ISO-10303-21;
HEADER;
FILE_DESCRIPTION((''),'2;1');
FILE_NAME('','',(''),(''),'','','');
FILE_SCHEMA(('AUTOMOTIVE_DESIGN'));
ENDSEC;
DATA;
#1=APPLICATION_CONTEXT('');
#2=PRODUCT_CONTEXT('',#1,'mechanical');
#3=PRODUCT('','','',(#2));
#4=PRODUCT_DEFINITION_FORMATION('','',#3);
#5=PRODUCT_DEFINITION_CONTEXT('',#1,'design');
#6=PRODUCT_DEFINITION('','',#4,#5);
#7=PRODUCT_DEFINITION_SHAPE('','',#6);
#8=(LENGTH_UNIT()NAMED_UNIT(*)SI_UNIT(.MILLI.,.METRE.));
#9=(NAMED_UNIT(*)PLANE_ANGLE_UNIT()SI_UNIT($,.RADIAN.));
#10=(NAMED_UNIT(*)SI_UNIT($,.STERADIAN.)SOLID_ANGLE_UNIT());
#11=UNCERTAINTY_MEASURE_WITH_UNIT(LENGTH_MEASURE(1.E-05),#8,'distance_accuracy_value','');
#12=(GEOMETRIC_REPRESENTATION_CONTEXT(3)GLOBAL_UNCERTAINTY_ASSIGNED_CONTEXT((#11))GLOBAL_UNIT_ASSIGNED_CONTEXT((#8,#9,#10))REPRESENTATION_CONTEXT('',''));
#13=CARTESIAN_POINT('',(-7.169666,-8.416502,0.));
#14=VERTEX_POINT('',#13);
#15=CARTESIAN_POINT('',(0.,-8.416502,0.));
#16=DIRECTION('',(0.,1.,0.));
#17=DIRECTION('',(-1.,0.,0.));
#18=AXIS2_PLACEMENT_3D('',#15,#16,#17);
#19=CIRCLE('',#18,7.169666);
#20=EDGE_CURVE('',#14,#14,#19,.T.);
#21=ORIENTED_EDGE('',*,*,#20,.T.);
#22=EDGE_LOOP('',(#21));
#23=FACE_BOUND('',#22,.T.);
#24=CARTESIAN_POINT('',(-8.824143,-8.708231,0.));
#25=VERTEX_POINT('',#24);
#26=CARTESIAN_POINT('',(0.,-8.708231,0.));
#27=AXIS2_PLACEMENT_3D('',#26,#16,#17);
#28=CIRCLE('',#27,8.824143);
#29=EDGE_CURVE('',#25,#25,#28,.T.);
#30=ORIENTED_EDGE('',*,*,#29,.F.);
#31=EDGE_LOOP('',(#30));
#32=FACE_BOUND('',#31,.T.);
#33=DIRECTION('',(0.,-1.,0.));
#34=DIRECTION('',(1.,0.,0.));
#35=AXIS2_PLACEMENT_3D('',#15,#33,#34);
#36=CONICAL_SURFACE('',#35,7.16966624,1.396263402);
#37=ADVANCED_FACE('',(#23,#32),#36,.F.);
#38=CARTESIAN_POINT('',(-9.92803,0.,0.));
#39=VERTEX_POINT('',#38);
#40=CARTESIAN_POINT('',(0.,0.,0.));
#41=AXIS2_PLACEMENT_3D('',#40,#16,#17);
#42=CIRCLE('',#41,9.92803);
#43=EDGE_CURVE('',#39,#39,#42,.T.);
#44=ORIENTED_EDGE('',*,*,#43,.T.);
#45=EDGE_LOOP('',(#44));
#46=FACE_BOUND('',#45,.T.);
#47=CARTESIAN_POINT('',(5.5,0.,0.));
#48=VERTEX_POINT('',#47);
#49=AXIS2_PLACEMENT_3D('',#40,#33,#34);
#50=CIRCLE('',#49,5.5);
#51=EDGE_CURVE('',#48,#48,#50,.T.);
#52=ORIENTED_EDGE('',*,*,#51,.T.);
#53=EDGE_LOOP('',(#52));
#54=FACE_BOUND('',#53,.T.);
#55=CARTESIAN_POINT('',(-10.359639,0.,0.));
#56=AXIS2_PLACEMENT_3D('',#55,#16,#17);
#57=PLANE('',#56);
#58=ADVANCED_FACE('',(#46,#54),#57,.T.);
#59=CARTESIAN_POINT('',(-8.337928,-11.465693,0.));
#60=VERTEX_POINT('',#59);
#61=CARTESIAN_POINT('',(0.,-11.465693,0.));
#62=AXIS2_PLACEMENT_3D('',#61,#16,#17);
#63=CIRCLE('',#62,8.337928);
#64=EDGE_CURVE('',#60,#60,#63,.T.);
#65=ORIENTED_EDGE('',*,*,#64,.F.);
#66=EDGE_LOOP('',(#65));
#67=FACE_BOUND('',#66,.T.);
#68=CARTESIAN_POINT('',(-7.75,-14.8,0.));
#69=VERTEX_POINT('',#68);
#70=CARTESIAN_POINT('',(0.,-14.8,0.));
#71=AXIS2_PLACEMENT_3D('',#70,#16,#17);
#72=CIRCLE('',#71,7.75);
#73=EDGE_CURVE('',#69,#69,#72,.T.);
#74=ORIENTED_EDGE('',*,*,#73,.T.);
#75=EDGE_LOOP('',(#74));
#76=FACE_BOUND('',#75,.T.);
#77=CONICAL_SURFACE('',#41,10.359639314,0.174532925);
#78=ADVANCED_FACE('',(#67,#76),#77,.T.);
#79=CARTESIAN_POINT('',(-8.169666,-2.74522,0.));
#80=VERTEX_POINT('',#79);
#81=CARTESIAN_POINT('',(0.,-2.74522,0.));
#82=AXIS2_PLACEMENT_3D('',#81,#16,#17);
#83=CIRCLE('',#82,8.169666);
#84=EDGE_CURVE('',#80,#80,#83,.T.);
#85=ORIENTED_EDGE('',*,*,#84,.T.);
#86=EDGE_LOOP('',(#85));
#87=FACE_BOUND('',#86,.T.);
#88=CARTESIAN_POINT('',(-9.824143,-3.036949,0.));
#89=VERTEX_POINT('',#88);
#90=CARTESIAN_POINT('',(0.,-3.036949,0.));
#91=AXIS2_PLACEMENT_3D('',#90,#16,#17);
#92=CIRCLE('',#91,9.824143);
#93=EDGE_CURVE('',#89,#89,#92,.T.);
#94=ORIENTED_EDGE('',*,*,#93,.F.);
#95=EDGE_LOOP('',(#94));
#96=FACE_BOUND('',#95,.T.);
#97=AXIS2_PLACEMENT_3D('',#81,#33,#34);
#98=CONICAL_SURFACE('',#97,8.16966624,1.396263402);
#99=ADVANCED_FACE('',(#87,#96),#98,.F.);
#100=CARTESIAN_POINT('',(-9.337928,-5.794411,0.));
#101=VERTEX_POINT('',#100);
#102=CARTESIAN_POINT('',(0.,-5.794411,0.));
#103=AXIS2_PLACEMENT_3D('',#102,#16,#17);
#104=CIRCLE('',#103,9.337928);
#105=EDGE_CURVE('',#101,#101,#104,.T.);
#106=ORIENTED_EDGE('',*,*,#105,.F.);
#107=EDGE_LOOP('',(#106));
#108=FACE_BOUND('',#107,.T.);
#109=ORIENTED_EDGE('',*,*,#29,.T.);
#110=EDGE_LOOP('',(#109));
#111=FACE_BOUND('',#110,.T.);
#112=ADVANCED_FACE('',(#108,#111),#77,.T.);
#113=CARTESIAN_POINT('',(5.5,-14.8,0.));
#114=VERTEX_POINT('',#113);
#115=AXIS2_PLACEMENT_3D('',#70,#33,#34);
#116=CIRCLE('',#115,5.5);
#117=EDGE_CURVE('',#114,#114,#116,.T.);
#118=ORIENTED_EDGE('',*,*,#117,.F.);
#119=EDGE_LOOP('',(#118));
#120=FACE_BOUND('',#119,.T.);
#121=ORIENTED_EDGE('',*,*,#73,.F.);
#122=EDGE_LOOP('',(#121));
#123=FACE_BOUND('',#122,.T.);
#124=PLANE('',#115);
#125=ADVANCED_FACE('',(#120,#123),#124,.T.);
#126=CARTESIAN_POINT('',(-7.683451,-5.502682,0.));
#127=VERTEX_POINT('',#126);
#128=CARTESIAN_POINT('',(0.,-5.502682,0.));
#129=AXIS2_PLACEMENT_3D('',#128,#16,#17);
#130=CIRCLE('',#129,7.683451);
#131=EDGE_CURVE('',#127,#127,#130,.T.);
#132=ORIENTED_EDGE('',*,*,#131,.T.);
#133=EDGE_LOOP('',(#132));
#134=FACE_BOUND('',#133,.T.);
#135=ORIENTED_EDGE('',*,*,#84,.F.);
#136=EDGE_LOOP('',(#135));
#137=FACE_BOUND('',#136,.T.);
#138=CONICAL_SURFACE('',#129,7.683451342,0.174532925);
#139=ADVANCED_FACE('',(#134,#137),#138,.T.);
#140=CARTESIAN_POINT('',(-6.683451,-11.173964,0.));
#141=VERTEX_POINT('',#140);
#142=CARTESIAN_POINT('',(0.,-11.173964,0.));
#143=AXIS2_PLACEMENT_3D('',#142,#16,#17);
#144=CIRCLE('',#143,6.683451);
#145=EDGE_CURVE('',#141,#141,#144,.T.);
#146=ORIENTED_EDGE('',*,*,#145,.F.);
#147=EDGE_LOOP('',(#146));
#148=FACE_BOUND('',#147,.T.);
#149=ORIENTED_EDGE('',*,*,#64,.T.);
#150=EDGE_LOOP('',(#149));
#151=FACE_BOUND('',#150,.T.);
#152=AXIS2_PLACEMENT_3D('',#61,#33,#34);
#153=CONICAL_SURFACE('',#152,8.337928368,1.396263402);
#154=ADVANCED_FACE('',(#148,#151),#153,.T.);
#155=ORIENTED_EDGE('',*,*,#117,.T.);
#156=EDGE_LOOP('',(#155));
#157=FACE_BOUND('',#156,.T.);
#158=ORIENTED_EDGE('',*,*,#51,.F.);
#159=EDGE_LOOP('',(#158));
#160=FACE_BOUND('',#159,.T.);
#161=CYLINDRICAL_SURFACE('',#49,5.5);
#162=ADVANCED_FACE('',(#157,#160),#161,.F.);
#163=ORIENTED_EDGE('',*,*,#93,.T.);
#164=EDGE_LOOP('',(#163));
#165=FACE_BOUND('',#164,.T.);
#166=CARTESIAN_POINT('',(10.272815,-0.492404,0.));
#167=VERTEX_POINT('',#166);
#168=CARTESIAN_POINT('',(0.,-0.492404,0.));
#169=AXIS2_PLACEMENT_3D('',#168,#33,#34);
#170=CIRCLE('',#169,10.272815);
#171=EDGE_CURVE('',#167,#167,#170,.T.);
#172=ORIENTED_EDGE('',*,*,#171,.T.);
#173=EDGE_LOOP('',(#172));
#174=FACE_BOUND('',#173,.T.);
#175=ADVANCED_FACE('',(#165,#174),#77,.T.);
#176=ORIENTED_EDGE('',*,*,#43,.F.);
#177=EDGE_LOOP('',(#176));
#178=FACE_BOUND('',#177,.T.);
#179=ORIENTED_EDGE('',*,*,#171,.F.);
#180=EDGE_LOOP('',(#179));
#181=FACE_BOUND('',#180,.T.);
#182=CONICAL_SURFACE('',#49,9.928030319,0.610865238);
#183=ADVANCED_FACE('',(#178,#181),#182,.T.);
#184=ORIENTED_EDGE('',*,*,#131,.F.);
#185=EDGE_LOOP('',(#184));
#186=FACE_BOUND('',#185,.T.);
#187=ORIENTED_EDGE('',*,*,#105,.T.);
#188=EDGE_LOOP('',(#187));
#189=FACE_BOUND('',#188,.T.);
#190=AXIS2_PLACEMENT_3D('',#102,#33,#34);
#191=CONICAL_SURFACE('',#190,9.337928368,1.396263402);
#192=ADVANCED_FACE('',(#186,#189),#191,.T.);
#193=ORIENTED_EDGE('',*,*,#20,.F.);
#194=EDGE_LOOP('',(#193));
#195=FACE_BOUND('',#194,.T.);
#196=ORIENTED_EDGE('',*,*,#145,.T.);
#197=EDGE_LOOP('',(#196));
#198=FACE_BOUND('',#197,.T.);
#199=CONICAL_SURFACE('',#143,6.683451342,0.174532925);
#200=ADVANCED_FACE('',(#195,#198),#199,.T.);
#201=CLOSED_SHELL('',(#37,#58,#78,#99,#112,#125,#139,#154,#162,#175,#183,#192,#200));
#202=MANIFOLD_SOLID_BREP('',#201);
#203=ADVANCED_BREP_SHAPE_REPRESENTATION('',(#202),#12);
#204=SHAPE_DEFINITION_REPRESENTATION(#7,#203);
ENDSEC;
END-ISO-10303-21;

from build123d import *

# Parameters (mm, degrees)
SMUSSO2_SIZE             = 0.5
SMUSSO2_SIZE2            = 0.431608995
SCHIZZO6_R               = 5.5
TAGLIO_ESTRUSIONE1_DEPTH = 21.738887755


with BuildPart() as part:
    # Schizzo1 → Rivoluzione1 (revolve)
    with BuildSketch(Plane.XY):
        Polygon((0, -14.8), (-7.75, -14.8), (-10.359639314, 0), (0, 0), align=None)
    revolve(axis=Axis((0, 0, 0), (0, -1, 0)))

    # Schizzo2 → Taglia-Rivoluzione1 (revolve, cut)
    with BuildSketch(Plane.XY):
        Polygon((-9.824143265, -3.03694901), (-8.16966624, -2.745220072), (-7.683451342, -5.50268178), (-9.337928368, -5.794410718), align=None)
        Polygon((-8.824143265, -8.70823083), (-8.337928368, -11.465692538), (-6.683451342, -11.1739636), (-7.16966624, -8.416501891), align=None)
    revolve(axis=Axis((0, 0, 0), (0, -1, 0)), mode=Mode.SUBTRACT)

    # Smusso2
    smusso2_edges = [part.edges().sort_by_distance(p)[0] for p in [
        (10.359639314, 0, 0),
    ]]
    smusso2_side = [part.faces().sort_by_distance(p)[0] for p in [
        (10.09189129, -1.518474505, 0),
    ]]
    chamfer(smusso2_edges, length=SMUSSO2_SIZE, length2=SMUSSO2_SIZE2, reference=smusso2_side[0])

    # Schizzo6 → Taglio-Estrusione1 (cut, through all)
    with BuildSketch(Plane.XZ.offset(14.8)):
        Circle(SCHIZZO6_R)
    extrude(amount=-TAGLIO_ESTRUSIONE1_DEPTH, mode=Mode.SUBTRACT)


solid = part.part
